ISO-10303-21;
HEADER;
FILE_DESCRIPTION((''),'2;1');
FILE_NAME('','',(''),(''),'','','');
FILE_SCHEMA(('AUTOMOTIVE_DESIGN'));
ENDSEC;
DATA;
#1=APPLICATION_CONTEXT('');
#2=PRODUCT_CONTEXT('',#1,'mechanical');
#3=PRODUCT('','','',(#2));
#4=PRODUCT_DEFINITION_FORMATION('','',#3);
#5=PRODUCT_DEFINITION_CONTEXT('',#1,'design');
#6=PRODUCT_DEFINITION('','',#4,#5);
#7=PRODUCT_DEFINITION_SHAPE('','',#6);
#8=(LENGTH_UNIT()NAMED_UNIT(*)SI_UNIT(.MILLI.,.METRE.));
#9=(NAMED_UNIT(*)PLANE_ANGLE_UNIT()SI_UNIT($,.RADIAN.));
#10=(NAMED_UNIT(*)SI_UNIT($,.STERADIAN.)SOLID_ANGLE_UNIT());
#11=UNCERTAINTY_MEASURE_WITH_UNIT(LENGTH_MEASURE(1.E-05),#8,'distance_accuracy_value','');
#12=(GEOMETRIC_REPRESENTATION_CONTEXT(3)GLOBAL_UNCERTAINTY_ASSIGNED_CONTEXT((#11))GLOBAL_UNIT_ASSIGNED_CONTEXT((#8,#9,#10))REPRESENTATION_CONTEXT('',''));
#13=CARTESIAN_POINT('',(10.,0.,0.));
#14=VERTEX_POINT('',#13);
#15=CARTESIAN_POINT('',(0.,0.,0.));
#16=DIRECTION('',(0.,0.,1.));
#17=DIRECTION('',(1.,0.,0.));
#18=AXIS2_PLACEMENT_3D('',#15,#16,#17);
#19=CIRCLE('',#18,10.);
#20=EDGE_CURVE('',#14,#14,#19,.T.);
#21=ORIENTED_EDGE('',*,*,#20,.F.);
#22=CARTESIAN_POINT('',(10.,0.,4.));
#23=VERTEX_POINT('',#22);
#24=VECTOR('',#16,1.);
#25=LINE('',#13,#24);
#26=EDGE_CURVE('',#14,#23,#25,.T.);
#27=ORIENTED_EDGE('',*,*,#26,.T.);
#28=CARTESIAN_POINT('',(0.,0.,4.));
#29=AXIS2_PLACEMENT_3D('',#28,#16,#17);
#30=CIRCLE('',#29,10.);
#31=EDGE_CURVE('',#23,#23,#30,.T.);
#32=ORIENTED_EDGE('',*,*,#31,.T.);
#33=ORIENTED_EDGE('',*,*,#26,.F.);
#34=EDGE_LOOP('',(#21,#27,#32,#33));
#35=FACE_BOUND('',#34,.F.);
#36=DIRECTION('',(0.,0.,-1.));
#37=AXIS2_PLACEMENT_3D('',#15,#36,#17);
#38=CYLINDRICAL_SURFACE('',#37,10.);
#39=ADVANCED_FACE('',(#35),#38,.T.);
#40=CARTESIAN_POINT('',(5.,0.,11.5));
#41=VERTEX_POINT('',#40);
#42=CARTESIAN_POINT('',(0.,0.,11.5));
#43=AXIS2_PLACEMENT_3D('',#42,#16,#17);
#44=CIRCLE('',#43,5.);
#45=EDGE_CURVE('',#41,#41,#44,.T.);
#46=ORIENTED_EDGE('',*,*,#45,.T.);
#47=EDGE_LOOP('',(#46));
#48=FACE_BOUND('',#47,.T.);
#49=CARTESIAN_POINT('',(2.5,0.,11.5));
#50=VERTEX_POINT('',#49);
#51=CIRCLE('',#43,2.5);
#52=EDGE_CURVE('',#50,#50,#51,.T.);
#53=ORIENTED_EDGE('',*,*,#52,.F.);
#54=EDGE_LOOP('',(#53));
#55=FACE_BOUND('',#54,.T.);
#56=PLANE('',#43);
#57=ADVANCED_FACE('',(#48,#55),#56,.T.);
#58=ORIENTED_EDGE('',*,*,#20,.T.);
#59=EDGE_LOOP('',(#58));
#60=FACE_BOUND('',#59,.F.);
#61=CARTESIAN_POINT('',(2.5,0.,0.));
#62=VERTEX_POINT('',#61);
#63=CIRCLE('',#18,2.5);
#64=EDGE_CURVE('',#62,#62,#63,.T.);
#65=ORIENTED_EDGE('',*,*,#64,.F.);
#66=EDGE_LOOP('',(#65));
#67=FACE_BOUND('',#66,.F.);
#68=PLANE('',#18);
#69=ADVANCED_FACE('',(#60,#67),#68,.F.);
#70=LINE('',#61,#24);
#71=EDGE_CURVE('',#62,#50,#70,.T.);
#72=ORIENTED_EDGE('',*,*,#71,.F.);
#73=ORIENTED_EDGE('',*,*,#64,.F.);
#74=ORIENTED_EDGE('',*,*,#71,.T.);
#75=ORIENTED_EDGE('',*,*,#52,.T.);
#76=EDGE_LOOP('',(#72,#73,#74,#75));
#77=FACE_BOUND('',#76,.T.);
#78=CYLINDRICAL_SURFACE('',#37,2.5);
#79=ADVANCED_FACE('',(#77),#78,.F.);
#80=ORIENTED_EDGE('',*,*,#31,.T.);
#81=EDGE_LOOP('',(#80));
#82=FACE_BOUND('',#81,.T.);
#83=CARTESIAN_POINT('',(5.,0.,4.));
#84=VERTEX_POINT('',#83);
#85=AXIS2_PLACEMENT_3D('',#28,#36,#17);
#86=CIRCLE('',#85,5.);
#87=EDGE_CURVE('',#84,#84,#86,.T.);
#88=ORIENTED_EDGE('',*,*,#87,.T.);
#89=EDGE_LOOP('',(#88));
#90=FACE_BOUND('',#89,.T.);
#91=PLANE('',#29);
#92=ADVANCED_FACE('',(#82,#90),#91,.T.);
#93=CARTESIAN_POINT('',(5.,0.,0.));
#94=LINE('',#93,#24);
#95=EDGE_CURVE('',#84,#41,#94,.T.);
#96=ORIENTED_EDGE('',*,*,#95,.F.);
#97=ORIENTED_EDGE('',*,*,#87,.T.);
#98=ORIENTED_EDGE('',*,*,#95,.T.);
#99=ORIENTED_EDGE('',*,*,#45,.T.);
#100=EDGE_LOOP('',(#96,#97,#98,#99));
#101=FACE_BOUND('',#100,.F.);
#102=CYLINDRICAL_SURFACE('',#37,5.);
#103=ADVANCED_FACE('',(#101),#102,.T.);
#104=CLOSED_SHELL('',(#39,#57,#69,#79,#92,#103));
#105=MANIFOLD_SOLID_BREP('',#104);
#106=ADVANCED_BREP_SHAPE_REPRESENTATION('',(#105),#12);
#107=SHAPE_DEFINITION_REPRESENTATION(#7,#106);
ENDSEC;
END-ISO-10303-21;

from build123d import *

# Parameters (mm, degrees)
CYLINDER003_R     = 2.5
CYLINDER003_DEPTH = 11.5
CYLINDER022_R     = 5
CYLINDER022_DEPTH = 11.5
CYLINDER002_R     = 10
CYLINDER002_DEPTH = 4


with BuildPart() as cylinder003:
    # Cylinder003 → Cylinder003 (new body)
    with BuildSketch(Plane.XY):
        Circle(CYLINDER003_R)
    extrude(amount=CYLINDER003_DEPTH)


with BuildPart() as cylinder022:
    # Cylinder022 → Cylinder022 (new body)
    with BuildSketch(Plane.XY):
        Circle(CYLINDER022_R)
    extrude(amount=CYLINDER022_DEPTH)


with BuildPart() as r_ndelmutter_m5_hohe_form_din466:
    # Cylinder002 → Cylinder002 (new body)
    with BuildSketch(Plane.XY):
        Circle(CYLINDER002_R)
    extrude(amount=CYLINDER002_DEPTH)

    # Fusion001018017021: union Cylinder022
    add(cylinder022.part)

    # Cut: cut Cylinder003
    add(cylinder003.part, mode=Mode.SUBTRACT)


solid = r_ndelmutter_m5_hohe_form_din466.part
